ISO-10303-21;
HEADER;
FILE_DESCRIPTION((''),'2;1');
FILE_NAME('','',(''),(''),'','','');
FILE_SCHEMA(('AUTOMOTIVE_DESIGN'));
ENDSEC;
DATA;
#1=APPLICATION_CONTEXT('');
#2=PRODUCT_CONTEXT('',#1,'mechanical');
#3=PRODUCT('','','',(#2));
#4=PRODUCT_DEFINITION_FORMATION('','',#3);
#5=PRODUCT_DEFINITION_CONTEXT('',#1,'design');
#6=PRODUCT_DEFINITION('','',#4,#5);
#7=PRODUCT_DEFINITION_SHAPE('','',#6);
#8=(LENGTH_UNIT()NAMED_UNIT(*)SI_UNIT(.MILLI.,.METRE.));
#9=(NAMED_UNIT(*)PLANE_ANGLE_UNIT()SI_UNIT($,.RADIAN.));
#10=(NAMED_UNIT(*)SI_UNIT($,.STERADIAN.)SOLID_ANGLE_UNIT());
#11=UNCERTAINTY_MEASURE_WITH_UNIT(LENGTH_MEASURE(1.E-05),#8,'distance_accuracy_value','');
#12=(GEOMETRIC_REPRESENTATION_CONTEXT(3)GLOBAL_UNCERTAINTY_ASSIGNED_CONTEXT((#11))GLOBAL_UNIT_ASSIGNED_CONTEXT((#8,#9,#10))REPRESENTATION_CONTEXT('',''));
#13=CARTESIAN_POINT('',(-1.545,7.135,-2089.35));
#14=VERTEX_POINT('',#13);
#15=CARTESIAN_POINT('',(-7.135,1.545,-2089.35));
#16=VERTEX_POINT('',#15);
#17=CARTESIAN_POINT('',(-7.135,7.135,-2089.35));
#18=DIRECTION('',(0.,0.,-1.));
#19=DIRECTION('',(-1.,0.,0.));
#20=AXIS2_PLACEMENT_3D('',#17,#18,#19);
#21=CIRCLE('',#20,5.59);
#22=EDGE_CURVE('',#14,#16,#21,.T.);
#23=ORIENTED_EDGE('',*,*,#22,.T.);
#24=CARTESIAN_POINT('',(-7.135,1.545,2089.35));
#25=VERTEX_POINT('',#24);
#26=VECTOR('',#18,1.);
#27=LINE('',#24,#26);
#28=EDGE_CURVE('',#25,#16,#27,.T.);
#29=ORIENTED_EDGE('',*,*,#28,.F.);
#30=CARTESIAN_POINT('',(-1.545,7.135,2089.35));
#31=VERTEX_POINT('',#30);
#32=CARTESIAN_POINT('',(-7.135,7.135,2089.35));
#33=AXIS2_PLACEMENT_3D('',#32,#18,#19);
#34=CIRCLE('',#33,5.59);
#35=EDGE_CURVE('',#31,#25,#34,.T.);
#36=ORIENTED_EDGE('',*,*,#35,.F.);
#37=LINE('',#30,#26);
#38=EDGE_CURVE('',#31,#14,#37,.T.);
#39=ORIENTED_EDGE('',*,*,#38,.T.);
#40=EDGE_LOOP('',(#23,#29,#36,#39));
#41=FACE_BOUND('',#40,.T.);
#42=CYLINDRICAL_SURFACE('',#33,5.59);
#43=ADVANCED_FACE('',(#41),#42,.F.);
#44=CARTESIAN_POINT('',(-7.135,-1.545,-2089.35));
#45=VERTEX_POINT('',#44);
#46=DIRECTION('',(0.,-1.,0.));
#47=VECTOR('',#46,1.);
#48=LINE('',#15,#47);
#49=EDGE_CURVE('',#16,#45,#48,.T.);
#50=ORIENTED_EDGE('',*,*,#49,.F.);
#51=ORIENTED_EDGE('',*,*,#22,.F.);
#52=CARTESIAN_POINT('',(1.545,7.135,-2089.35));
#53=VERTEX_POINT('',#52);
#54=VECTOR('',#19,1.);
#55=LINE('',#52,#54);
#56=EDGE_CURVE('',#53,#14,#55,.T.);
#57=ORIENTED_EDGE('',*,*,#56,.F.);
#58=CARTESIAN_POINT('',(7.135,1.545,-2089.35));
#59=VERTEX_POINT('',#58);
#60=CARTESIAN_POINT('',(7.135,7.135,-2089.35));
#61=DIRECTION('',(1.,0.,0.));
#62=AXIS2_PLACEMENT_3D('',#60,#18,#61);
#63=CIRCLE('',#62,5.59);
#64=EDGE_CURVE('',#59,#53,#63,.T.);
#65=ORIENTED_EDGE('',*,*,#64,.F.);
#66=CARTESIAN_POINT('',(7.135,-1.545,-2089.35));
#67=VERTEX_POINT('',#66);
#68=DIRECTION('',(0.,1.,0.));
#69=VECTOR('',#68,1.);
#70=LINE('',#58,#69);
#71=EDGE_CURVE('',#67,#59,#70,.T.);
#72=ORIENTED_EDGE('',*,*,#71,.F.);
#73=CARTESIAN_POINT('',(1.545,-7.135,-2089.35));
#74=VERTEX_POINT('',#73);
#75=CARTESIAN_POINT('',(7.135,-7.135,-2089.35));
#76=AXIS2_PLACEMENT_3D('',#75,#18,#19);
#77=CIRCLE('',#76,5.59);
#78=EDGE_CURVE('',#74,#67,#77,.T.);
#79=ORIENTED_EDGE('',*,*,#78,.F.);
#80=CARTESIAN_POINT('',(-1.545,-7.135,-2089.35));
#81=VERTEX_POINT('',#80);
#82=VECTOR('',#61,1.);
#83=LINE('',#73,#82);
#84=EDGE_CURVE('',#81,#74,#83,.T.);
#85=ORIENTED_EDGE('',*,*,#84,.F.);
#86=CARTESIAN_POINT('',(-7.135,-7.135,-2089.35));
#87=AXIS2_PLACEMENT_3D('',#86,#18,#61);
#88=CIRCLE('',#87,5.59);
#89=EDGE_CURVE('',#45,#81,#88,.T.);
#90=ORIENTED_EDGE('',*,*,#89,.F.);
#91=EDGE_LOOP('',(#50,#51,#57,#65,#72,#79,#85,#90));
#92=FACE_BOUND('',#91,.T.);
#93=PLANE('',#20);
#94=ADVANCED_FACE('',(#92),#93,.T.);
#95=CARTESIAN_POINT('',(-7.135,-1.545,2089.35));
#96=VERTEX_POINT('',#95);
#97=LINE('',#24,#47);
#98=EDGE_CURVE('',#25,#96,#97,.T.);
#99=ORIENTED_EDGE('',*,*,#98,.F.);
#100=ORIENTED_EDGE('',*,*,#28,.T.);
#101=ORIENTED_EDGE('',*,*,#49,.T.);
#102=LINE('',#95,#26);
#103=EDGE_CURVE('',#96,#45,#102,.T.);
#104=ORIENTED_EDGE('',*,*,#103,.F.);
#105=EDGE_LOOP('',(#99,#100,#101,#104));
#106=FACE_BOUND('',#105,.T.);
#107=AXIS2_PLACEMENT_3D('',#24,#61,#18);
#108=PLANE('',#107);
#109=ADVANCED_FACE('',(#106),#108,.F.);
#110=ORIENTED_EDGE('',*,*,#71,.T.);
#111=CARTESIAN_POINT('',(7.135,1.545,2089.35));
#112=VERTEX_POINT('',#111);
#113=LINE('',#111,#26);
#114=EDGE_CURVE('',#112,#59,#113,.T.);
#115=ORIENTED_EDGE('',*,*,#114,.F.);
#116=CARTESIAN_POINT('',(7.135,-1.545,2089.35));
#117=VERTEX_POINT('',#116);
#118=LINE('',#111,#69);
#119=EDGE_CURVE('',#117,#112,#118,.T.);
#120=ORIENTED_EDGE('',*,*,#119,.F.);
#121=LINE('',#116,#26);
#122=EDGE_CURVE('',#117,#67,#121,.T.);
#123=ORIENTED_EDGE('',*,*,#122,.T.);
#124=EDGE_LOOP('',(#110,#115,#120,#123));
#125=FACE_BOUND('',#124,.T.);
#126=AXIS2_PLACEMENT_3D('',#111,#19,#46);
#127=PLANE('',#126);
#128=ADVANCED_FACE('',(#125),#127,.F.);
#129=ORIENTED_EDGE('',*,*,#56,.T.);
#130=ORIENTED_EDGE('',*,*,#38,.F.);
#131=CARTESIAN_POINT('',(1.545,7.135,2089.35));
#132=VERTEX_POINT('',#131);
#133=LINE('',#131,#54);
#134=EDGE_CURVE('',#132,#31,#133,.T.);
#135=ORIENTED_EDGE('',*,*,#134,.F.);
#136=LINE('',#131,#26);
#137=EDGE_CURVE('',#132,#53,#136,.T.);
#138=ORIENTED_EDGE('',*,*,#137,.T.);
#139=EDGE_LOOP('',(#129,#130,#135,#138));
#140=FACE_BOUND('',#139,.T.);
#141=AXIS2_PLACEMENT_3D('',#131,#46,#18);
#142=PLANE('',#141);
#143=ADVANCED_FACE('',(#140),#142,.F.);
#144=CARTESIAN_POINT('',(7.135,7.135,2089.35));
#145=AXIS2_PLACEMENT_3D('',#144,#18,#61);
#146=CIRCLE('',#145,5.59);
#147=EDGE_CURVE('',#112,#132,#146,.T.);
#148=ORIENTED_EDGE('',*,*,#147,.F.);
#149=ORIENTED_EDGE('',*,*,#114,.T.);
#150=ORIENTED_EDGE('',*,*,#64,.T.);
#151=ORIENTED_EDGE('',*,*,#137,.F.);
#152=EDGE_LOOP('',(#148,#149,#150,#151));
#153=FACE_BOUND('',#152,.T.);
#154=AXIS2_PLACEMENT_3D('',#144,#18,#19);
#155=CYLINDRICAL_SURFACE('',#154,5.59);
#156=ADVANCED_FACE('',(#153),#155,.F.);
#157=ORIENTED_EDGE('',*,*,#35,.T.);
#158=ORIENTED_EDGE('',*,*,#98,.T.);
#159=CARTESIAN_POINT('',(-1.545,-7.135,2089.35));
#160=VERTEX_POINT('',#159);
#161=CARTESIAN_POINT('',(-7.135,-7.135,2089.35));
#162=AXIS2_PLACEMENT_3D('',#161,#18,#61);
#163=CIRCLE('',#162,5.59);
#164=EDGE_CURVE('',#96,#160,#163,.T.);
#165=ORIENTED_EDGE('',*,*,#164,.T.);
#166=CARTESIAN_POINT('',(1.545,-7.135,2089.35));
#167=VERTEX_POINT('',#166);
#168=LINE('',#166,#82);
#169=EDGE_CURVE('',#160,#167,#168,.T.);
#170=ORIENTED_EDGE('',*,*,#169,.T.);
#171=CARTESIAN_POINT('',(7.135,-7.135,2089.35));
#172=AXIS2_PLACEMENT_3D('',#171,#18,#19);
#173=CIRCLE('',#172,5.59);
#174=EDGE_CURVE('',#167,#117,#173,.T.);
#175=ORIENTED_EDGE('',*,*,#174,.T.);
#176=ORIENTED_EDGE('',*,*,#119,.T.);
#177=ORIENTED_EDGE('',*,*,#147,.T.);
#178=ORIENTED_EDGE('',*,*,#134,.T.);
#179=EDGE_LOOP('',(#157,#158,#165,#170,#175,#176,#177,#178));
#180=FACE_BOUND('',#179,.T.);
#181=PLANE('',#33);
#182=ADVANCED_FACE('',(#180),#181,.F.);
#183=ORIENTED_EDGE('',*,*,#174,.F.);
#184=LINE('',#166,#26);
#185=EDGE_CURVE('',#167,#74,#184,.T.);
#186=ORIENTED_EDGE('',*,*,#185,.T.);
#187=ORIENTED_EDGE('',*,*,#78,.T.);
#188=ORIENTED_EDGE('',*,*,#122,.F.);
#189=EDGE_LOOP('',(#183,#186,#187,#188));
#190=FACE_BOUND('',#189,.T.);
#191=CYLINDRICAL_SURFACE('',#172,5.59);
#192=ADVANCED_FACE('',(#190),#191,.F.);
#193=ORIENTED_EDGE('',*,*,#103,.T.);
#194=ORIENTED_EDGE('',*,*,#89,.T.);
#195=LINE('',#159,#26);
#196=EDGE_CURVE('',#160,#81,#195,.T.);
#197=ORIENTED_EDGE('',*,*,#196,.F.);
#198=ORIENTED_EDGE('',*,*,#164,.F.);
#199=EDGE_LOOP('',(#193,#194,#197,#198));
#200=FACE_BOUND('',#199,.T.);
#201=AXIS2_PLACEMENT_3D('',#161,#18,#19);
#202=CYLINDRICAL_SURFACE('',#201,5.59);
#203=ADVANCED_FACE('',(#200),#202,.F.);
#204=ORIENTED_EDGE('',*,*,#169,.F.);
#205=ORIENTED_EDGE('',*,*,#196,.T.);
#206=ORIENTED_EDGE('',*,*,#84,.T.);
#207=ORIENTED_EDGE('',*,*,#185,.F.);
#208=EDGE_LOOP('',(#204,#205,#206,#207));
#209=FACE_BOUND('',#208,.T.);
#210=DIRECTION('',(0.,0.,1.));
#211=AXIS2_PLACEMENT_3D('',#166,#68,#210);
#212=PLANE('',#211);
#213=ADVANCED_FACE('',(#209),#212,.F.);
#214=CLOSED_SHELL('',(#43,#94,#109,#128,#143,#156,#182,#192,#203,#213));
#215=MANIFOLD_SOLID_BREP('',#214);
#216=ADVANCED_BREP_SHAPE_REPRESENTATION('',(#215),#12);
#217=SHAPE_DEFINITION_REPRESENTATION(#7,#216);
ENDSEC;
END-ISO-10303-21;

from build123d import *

# Parameters (mm, degrees)
BOSS_EXTRUDE1_DEPTH = 2089.35


with BuildPart() as part:
    # Sketch1 → Boss-Extrude1 (new, symmetric)
    with BuildSketch(Plane.XY):
        with BuildLine():
            Line((1.545, 7.135), (-1.545, 7.135))
            ThreePointArc((-1.545, 7.135), (-3.182273093, 3.182273093), (-7.135, 1.545))
            Line((-7.135, 1.545), (-7.135, -1.545))
            ThreePointArc((-7.135, -1.545), (-3.182273093, -3.182273093), (-1.545, -7.135))
            Line((-1.545, -7.135), (1.545, -7.135))
            ThreePointArc((1.545, -7.135), (3.182273093, -3.182273093), (7.135, -1.545))
            Line((7.135, -1.545), (7.135, 1.545))
            ThreePointArc((7.135, 1.545), (3.182273093, 3.182273093), (1.545, 7.135))
        make_face()
    extrude(amount=BOSS_EXTRUDE1_DEPTH, both=True)


solid = part.part
